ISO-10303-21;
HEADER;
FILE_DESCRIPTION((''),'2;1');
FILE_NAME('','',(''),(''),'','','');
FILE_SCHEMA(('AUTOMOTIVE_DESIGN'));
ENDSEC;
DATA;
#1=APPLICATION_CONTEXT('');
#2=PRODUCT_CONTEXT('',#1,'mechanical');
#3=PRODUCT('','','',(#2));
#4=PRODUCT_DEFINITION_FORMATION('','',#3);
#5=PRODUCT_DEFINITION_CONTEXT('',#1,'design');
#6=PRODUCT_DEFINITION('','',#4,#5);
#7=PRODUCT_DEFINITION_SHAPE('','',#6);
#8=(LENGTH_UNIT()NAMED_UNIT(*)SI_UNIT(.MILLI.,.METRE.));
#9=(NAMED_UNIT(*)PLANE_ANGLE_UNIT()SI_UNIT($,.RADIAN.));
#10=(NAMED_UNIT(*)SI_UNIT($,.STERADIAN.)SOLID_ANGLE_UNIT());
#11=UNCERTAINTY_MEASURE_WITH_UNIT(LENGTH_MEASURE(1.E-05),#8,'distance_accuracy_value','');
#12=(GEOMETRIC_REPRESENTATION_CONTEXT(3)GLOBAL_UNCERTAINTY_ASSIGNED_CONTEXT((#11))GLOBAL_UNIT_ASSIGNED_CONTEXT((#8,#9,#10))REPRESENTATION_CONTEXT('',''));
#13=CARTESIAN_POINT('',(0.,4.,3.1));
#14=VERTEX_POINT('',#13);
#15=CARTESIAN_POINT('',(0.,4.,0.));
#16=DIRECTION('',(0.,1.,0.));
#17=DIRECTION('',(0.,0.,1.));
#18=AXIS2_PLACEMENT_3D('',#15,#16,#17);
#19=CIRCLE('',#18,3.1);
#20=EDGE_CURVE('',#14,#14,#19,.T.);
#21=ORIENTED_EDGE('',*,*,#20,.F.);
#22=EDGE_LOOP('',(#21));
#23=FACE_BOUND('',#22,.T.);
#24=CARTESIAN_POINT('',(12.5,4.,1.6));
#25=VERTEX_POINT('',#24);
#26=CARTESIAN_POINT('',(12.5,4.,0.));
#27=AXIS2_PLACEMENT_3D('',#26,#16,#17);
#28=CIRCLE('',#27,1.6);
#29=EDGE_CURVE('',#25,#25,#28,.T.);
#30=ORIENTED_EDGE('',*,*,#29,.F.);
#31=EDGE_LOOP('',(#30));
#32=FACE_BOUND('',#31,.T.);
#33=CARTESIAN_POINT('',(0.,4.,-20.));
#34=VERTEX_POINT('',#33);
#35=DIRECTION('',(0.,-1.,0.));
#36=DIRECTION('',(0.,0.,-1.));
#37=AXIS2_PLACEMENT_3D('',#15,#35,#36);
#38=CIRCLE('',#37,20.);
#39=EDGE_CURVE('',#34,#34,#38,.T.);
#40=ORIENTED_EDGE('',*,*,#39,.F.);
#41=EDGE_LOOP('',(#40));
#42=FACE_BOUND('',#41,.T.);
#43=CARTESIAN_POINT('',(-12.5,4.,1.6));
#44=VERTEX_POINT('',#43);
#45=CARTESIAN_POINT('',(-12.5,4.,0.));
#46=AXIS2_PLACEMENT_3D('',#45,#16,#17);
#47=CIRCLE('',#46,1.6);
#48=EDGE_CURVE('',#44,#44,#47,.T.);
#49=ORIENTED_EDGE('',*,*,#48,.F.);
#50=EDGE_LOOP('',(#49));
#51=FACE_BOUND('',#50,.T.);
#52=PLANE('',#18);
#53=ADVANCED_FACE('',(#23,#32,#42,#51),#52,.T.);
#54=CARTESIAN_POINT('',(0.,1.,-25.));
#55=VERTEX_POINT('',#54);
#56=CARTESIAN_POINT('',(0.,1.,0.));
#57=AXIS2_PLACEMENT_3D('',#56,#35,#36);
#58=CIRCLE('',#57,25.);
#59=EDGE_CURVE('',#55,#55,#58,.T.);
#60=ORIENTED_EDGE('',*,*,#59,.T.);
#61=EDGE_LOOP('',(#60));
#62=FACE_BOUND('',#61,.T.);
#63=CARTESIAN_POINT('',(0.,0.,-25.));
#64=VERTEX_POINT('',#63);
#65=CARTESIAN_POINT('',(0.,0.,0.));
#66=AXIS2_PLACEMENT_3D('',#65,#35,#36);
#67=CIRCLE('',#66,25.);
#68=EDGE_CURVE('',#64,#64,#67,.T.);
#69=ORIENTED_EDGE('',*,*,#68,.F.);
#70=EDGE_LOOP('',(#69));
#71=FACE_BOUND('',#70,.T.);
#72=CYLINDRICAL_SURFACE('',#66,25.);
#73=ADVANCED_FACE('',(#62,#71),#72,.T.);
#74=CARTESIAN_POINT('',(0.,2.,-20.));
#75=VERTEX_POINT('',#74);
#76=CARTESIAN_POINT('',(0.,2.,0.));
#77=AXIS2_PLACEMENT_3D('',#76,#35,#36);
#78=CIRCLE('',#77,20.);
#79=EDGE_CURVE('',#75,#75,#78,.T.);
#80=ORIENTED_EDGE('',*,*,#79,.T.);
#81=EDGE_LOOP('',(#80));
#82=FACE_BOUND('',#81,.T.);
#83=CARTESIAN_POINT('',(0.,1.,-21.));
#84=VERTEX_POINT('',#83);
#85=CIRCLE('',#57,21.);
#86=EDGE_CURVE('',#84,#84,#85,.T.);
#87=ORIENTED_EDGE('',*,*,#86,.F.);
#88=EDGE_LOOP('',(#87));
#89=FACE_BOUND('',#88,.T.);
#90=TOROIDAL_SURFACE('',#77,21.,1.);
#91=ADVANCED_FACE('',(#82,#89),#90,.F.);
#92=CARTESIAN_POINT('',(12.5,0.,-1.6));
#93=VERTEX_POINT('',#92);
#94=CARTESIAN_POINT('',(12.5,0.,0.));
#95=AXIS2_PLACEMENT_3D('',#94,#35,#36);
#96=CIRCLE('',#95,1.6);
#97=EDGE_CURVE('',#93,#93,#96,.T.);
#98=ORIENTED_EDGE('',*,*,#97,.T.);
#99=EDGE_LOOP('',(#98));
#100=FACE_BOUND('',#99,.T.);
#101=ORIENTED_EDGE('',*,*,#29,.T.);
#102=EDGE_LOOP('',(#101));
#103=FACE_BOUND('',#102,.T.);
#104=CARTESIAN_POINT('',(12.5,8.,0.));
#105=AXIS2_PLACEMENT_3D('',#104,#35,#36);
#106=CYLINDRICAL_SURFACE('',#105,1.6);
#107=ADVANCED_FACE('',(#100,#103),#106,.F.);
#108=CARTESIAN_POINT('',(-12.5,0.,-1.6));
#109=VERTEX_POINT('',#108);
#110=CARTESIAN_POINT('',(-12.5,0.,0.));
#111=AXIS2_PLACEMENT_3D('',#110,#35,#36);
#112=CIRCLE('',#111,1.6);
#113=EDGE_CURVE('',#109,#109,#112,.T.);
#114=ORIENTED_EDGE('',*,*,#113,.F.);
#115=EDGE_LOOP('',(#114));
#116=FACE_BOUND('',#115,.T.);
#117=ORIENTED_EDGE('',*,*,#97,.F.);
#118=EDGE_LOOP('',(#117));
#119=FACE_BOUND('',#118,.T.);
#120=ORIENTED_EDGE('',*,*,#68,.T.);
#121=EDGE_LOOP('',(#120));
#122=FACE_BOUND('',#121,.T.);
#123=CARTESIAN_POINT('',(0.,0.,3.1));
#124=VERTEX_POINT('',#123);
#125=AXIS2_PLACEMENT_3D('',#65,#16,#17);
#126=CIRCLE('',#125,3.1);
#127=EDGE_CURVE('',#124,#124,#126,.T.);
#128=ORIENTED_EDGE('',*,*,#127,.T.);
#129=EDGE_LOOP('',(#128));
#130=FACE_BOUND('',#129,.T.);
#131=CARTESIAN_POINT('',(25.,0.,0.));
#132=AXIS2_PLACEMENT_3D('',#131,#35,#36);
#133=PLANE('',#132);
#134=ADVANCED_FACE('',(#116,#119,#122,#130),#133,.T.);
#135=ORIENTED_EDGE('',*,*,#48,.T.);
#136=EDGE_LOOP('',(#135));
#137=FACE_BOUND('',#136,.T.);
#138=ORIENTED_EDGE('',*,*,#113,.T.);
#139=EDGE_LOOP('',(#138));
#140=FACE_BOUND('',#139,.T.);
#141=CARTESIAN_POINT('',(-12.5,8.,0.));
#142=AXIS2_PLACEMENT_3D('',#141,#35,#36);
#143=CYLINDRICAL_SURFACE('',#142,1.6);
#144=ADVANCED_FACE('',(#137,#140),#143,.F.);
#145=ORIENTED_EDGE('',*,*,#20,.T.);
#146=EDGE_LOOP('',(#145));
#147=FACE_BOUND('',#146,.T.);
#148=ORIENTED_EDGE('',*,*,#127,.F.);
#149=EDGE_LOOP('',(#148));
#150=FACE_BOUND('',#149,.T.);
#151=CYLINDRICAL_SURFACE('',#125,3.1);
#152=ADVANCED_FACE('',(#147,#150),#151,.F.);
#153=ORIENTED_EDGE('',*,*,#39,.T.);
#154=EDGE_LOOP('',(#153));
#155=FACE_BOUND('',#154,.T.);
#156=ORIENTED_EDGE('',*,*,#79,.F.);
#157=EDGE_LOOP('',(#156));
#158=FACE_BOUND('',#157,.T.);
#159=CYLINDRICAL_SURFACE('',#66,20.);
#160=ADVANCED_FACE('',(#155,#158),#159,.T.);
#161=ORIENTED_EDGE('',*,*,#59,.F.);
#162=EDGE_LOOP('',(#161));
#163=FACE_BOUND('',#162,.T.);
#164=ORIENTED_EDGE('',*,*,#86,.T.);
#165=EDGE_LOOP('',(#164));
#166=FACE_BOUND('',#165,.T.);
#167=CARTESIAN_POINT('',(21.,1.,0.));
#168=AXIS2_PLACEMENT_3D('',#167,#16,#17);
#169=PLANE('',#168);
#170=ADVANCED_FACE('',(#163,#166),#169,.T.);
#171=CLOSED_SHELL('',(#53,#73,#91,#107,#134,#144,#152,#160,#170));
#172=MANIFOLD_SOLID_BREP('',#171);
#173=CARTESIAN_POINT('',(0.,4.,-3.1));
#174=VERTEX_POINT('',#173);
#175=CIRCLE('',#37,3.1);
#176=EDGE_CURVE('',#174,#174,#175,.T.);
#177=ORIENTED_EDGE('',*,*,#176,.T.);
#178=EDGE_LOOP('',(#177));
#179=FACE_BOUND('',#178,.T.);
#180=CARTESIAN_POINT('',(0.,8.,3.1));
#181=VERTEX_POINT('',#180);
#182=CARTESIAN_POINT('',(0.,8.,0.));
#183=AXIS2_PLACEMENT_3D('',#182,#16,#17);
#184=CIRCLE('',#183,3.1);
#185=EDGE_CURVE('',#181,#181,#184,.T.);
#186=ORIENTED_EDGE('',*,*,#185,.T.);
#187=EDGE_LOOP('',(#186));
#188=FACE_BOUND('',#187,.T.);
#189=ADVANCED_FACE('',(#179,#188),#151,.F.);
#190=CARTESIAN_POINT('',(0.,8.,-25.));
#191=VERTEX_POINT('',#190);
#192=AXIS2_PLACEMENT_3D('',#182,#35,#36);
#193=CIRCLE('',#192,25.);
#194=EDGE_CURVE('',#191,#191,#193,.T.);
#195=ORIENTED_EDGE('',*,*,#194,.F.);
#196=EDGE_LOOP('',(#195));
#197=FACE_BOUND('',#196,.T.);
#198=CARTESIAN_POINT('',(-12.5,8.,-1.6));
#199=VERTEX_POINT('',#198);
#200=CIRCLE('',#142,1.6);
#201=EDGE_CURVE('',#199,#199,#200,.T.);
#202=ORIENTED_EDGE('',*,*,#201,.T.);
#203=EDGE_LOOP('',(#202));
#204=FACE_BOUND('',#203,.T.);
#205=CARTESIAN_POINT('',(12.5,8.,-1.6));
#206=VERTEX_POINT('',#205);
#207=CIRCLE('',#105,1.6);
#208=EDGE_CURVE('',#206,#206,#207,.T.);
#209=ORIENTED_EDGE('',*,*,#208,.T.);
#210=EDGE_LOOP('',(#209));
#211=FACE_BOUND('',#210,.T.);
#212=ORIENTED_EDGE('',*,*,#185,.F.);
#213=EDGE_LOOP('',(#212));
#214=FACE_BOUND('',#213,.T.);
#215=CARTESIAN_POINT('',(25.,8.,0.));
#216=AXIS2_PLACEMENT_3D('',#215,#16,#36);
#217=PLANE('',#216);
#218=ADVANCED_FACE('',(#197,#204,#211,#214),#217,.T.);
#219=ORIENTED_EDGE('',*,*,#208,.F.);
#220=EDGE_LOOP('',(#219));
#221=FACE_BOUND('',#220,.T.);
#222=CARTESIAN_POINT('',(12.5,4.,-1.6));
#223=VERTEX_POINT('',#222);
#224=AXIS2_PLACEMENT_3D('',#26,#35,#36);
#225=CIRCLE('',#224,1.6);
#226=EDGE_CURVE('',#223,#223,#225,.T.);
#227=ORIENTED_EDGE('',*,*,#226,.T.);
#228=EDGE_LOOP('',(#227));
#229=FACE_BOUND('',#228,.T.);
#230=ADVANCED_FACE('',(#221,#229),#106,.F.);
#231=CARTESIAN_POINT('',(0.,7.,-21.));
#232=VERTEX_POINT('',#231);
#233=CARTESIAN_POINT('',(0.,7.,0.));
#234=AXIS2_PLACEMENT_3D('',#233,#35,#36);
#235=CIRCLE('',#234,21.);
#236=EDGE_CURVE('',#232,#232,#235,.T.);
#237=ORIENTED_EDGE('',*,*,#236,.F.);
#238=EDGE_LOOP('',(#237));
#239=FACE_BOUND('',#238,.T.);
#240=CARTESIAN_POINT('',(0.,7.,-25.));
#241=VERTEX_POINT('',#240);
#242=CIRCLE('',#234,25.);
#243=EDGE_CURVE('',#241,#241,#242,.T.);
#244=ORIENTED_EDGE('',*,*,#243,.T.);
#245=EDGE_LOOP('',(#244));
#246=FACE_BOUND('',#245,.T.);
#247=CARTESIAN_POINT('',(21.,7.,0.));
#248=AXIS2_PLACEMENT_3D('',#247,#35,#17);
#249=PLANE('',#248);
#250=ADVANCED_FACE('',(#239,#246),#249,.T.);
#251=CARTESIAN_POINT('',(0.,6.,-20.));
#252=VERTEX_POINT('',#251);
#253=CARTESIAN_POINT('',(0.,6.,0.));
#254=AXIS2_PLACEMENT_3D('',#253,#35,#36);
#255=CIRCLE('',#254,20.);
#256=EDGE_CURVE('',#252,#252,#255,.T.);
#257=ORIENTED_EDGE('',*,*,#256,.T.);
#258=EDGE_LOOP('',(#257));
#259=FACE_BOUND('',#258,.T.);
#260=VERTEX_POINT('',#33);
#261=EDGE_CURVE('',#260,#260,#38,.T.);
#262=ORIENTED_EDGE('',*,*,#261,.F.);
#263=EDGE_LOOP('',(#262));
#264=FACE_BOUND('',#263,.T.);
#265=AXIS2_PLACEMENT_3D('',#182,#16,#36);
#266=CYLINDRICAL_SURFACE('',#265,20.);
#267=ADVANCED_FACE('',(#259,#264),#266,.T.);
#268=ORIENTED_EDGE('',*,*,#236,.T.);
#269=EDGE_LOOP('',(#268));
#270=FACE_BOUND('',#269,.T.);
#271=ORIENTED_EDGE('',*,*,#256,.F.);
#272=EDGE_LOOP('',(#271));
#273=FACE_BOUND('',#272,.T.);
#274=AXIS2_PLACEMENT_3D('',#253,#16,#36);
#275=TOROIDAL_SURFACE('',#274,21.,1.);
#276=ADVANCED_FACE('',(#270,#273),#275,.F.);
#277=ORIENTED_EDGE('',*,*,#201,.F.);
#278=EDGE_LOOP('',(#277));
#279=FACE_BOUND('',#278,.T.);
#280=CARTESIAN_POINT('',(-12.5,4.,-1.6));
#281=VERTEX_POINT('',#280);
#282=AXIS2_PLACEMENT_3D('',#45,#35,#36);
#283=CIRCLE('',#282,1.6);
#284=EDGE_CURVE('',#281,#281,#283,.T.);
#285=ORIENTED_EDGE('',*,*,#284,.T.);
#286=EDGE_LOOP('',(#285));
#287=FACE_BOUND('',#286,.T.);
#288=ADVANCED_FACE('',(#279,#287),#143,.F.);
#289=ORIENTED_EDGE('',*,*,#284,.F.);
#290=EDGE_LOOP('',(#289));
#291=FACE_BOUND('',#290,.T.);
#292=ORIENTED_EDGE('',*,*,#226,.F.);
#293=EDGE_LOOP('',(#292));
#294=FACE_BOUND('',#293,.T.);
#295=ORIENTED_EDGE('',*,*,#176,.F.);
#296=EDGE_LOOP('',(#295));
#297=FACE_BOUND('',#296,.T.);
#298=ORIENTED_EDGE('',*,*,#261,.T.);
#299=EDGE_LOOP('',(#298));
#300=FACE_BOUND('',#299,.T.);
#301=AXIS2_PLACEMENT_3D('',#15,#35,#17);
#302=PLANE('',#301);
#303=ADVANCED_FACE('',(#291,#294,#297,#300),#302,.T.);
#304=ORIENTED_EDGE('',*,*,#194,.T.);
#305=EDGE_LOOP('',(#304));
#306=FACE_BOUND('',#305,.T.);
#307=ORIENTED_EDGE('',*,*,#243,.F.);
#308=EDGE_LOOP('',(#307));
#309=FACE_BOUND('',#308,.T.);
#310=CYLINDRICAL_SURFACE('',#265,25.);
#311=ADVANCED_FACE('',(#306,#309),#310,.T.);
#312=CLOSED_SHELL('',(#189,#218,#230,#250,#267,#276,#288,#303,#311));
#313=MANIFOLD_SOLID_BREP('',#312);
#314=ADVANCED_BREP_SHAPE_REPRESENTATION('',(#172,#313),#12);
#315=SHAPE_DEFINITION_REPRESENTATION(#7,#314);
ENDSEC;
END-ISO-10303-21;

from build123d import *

# Parameters (mm, degrees)
SKETCH_2_R          = 3.1
CUT_EXTRUDE_1_DEPTH = 37.249137921
SKETCH_3_R          = 1.6
CUT_EXTRUDE_2_DEPTH = 37.249137921


with BuildPart() as part:
    # ｽｹｯﾁ1 → 回転1 (revolve)
    with BuildSketch(Plane.XY, mode=Mode.PRIVATE) as revolve_1_sk:
        with BuildLine():
            Line((0, 0), (0, 4))
            Line((0, 4), (20, 4))
            Line((20, 4), (20, 2))
            ThreePointArc((20, 2), (20.292893219, 1.292893219), (21, 1))
            Line((21, 1), (25, 1))
            Line((25, 1), (25, 0))
            Line((25, 0), (0, 0))
        make_face()
    revolve(revolve_1_sk.sketch.rotate(Axis((0, 0, 0), (0, 1, 0)), 90), axis=Axis((0, 0, 0), (0, 1, 0)))


with BuildPart() as body_2:
    # ﾐﾗｰ1: mirrored copy
    add(part.part.mirror(Plane.ZX.offset(4)))


with BuildPart() as cut_extrude_1_tool:
    # ｽｹｯﾁ2 → ｶｯﾄ - 押し出し1 (new, through all)
    with BuildSketch(Plane(origin=(0, 8, 0), x_dir=(1, 0, 0), z_dir=(0, 1, 0))):
        with Locations(Location((0, 0, 0), (0, 0, 270))):
            Circle(SKETCH_2_R)
    extrude(amount=-CUT_EXTRUDE_1_DEPTH)


with BuildPart() as part_1:
    add(part.part)

    # ｶｯﾄ - 押し出し1: cut by cut_extrude_1_tool
    add(cut_extrude_1_tool.part, mode=Mode.SUBTRACT)


with BuildPart() as body_2_1:
    add(body_2.part)

    # ｶｯﾄ - 押し出し1: cut by cut_extrude_1_tool
    add(cut_extrude_1_tool.part, mode=Mode.SUBTRACT)


with BuildPart() as cut_extrude_2_tool:
    # ｽｹｯﾁ3 → ｶｯﾄ - 押し出し2 (new, through all)
    with BuildSketch(Plane.XZ):
        with Locations(Location((12.5, 0, 0), (0, 0, 270))):
            Circle(SKETCH_3_R)
        with Locations(Location((-12.5, 0, 0), (0, 0, 270))):
            Circle(SKETCH_3_R)
    extrude(amount=-CUT_EXTRUDE_2_DEPTH)


with BuildPart() as part_2:
    add(part_1.part)

    # ｶｯﾄ - 押し出し2: cut by cut_extrude_2_tool
    add(cut_extrude_2_tool.part, mode=Mode.SUBTRACT)


with BuildPart() as body_2_2:
    add(body_2_1.part)

    # ｶｯﾄ - 押し出し2: cut by cut_extrude_2_tool
    add(cut_extrude_2_tool.part, mode=Mode.SUBTRACT)


solid = Compound([part_2.part, body_2_2.part])
